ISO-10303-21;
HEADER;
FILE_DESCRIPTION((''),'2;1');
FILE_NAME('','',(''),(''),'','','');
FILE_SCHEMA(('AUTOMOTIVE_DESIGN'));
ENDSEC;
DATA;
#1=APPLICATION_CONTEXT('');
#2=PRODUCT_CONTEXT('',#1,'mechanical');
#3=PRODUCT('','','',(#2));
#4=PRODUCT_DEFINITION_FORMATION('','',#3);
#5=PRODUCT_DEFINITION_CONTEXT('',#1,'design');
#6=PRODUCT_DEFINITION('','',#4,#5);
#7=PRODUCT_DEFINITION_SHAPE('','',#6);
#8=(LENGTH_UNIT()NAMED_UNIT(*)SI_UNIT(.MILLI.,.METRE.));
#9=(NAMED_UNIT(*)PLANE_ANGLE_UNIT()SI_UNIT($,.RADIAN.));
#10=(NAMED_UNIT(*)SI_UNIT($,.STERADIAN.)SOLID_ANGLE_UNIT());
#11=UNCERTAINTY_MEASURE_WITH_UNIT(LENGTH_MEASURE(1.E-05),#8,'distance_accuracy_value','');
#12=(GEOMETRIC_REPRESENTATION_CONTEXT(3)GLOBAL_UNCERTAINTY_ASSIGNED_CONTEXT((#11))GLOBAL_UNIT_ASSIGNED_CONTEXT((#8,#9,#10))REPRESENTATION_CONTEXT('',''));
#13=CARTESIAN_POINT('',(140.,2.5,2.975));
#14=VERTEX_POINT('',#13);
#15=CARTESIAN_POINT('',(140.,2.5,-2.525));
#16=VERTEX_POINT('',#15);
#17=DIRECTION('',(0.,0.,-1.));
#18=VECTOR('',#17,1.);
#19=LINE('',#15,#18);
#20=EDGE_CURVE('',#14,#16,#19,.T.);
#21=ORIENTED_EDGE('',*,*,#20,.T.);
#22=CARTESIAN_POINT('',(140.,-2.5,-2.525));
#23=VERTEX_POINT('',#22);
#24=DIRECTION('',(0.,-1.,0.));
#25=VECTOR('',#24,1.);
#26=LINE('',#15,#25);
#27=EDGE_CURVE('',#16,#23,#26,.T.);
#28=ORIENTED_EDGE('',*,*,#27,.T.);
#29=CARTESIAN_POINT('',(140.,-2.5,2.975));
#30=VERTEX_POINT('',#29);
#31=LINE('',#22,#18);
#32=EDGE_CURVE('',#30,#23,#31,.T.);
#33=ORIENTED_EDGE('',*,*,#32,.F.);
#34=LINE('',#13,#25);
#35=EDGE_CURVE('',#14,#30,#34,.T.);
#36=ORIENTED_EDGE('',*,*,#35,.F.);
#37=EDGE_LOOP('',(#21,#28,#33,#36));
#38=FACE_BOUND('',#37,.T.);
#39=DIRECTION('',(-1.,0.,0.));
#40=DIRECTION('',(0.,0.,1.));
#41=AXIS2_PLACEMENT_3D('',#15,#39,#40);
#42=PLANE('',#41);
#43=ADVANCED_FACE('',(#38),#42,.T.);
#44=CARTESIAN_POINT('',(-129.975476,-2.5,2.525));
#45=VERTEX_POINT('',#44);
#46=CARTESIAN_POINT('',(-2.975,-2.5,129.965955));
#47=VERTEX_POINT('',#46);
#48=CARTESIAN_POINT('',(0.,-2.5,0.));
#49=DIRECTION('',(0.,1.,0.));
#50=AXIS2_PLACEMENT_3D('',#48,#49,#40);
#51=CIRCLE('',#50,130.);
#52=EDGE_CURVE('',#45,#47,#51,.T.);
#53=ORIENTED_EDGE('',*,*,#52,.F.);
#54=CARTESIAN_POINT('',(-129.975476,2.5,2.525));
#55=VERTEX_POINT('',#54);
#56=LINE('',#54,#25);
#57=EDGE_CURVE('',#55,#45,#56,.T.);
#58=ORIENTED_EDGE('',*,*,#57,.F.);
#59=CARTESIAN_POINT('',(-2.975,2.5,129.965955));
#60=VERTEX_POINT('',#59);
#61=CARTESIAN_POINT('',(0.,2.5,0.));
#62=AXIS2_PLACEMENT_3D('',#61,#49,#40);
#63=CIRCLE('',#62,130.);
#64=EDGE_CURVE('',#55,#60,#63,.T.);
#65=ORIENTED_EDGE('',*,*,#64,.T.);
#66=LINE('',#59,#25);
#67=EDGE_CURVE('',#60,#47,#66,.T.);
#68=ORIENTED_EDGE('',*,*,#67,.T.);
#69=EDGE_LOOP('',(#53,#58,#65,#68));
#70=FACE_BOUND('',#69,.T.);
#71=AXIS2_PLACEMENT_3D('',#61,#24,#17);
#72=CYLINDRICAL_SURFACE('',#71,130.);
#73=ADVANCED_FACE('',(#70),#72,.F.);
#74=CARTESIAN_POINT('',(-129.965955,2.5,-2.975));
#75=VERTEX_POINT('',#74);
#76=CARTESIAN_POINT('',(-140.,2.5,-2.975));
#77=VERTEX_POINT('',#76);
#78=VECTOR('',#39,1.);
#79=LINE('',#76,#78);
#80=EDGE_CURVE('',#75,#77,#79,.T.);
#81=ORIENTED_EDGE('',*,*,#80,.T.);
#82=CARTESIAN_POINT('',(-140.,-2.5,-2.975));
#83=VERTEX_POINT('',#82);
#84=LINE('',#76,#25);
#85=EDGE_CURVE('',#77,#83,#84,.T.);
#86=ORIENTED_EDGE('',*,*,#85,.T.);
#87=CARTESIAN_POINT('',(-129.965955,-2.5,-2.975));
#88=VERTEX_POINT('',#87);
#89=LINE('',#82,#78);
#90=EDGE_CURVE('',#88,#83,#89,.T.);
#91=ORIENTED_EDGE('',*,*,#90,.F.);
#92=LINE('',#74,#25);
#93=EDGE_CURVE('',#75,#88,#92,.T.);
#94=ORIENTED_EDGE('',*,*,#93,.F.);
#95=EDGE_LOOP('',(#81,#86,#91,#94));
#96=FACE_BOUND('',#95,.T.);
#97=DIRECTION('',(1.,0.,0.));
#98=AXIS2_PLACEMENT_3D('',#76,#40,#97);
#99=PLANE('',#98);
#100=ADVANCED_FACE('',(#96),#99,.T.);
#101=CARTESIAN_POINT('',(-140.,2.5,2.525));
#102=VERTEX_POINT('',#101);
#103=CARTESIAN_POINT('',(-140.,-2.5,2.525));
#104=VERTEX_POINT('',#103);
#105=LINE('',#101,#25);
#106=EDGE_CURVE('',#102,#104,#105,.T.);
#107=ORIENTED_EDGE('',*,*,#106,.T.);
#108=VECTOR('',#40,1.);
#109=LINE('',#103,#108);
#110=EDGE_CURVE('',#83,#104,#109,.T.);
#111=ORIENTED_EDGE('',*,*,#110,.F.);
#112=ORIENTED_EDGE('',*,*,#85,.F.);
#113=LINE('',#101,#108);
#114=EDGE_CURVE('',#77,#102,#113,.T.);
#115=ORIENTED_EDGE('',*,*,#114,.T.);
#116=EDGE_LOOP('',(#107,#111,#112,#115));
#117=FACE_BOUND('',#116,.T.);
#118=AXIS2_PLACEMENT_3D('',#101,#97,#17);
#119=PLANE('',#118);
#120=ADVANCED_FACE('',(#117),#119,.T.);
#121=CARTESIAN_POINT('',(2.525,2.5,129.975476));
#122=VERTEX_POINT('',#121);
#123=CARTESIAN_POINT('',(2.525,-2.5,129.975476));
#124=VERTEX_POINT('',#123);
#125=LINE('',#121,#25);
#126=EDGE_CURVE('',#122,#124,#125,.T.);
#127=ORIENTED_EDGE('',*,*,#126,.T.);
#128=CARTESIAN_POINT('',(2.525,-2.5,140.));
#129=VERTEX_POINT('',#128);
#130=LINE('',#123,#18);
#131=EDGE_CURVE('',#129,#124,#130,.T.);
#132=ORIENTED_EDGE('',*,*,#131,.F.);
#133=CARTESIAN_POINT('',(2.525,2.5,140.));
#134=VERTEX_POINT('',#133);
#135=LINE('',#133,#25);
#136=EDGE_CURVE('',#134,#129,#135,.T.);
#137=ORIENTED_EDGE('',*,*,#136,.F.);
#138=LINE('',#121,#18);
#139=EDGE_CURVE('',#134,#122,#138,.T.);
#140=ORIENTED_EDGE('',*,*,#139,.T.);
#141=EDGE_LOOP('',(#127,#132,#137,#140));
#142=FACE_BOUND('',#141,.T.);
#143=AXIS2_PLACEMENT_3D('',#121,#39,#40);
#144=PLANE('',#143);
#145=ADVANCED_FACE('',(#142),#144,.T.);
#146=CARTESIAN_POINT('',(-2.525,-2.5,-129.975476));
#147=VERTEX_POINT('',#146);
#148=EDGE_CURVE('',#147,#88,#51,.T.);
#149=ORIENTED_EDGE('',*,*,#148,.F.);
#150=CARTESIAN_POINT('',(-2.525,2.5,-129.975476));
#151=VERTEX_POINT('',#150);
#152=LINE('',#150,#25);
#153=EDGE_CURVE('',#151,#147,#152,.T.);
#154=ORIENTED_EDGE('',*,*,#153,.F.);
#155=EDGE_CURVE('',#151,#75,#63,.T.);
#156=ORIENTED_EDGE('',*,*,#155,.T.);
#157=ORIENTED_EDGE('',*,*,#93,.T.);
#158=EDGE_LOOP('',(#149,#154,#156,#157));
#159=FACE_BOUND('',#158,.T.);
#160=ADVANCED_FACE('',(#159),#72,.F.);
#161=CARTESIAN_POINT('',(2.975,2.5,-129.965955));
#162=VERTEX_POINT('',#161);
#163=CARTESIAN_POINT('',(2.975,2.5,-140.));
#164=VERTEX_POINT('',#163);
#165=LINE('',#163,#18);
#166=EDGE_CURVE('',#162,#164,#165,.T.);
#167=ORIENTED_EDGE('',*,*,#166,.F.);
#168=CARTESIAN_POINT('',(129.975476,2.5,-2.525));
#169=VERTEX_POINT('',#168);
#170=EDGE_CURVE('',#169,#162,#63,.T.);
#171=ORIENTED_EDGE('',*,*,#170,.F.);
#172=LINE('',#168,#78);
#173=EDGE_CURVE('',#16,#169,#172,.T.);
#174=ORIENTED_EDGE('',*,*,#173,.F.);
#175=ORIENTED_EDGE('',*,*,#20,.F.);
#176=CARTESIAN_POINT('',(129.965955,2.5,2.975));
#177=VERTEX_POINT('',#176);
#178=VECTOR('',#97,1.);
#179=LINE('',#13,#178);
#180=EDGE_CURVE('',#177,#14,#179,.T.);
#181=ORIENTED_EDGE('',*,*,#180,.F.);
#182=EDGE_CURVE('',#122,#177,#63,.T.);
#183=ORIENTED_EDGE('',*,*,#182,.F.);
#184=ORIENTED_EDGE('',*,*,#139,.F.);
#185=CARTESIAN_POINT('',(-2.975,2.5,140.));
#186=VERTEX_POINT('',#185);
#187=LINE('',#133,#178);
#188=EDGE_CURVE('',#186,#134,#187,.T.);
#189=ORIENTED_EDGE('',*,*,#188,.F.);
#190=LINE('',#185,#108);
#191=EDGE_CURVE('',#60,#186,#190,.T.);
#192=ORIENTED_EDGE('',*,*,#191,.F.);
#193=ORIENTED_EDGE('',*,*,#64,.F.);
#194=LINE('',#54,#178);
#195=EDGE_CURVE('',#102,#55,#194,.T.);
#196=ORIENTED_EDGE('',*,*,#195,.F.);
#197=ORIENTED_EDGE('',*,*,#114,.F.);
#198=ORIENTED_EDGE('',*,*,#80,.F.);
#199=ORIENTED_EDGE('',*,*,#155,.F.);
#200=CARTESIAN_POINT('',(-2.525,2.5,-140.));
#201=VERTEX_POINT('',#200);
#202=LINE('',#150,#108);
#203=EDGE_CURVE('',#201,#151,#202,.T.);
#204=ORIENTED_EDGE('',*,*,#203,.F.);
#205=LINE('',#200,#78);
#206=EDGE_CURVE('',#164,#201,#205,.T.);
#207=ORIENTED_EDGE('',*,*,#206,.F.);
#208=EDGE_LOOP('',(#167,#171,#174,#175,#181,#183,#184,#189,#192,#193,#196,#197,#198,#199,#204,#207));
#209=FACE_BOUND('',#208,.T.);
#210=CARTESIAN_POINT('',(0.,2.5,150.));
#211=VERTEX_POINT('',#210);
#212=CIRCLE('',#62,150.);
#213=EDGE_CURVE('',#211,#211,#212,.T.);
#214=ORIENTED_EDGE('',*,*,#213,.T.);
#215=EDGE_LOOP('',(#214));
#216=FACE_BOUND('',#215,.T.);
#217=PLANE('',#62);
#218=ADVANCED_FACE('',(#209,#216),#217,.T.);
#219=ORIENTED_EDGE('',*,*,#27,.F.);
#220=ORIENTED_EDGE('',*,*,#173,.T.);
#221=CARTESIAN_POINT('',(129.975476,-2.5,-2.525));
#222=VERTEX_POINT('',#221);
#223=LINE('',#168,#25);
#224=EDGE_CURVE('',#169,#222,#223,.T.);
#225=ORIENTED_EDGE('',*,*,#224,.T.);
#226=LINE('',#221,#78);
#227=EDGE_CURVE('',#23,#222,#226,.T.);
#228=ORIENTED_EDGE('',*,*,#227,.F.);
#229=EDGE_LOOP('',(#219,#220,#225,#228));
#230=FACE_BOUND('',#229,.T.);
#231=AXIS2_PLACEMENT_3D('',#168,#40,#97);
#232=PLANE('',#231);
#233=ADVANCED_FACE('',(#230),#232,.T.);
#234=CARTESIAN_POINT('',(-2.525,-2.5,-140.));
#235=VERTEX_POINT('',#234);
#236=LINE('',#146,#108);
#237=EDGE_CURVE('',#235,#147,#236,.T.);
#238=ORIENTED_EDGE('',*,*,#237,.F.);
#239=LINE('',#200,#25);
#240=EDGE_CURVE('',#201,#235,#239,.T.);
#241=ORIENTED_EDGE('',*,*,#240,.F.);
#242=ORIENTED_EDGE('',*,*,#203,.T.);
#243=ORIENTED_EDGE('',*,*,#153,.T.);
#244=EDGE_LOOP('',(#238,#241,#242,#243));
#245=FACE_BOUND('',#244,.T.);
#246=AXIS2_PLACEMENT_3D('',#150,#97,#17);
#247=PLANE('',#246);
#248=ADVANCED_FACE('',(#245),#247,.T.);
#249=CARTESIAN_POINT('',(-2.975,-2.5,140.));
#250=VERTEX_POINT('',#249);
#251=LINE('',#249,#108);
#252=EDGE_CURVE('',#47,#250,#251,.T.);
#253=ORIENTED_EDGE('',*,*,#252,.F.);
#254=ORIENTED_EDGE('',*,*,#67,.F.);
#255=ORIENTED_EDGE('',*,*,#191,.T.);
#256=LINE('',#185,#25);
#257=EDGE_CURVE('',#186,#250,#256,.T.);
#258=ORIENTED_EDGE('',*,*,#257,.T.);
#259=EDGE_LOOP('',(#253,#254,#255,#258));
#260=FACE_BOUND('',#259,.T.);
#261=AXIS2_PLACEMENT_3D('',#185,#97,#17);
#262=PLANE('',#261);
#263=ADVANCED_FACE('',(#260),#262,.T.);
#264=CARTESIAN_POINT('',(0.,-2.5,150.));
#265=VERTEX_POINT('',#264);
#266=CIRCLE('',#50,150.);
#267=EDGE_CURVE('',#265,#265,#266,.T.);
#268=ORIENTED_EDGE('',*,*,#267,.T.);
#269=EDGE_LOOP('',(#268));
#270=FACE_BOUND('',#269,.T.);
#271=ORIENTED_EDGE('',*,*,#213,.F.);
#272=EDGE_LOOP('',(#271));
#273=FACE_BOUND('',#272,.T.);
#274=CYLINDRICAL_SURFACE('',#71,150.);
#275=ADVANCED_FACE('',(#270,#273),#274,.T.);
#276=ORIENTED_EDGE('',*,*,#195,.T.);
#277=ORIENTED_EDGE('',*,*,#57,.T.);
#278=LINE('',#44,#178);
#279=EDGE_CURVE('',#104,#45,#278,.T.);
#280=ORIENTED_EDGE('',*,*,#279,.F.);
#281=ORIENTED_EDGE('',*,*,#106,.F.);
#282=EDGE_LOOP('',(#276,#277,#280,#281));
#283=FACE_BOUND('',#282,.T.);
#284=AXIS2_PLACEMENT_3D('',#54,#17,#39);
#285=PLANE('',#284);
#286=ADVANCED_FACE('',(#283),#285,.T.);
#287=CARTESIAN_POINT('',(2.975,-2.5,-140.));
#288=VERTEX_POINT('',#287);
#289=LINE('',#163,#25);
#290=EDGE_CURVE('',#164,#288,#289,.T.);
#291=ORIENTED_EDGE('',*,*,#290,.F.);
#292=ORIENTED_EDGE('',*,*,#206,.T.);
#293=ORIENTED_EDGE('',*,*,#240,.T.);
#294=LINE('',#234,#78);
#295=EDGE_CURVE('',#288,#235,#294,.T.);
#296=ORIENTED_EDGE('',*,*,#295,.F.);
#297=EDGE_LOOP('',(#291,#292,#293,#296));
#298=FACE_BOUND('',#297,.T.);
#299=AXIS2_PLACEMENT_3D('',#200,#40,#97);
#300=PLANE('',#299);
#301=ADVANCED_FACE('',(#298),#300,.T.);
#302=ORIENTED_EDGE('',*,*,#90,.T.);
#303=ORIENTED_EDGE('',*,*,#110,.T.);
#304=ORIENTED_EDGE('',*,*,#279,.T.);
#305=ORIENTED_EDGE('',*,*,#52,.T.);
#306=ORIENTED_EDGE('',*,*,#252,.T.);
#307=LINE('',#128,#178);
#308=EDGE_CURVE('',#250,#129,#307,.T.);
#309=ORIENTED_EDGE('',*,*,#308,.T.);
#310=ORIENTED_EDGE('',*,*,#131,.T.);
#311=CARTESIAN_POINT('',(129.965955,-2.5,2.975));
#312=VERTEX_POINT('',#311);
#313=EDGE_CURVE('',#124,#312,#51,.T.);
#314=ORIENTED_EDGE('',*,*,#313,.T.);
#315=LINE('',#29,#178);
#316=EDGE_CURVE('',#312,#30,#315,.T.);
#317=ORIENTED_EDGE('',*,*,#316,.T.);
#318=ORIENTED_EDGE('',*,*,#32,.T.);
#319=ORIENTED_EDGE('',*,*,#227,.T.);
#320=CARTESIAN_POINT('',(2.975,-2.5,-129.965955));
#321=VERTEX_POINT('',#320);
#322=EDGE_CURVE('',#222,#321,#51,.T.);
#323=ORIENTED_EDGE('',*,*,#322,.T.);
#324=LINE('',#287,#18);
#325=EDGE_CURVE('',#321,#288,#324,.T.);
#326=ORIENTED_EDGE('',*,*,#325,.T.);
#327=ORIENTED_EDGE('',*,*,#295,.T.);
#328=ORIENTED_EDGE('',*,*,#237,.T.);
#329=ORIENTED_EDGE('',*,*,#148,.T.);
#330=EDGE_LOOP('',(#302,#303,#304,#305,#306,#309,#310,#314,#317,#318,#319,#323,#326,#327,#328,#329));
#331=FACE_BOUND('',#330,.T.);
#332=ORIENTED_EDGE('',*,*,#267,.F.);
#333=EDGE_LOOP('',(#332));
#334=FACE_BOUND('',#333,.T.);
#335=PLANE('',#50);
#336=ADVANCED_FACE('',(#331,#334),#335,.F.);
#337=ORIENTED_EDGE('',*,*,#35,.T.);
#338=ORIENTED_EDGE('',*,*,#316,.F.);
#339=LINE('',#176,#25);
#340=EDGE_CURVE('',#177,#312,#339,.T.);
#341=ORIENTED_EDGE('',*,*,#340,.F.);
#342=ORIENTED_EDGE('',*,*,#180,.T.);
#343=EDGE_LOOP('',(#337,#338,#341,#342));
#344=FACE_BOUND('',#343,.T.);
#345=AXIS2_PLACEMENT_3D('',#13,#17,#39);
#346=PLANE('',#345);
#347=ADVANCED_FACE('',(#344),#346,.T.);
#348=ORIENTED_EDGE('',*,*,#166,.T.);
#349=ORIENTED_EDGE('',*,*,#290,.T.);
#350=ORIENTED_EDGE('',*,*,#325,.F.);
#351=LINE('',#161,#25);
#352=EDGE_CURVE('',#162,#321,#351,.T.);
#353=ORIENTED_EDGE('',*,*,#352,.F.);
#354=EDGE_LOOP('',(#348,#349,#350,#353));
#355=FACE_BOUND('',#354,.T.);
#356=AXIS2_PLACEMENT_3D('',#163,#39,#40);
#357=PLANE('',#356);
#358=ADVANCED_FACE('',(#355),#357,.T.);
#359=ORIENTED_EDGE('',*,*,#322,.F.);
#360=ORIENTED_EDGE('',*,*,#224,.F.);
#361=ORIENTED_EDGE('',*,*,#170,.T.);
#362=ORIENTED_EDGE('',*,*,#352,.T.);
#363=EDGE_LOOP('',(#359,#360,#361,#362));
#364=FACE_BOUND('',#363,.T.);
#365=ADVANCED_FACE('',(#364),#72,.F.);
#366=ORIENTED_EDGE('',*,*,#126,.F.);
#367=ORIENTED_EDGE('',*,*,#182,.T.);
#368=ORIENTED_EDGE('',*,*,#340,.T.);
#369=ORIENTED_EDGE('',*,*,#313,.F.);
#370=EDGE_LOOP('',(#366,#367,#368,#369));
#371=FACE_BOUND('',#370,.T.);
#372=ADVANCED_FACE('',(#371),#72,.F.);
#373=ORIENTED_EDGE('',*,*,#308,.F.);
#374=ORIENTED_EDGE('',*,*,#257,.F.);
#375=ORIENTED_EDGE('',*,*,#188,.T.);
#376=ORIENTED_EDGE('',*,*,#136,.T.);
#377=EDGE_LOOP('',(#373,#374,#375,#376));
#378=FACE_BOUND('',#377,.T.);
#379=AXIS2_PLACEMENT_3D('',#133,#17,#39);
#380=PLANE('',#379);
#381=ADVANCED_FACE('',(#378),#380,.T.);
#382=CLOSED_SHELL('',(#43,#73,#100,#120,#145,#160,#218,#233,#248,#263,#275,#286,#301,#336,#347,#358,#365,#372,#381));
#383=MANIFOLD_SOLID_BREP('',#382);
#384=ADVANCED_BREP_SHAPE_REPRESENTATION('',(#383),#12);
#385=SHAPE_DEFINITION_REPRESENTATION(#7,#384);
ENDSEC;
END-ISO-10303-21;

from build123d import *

# Parameters (mm, degrees)
SKETCH1_R           = 150
BOSS_EXTRUDE1_DEPTH = 2.5


with BuildPart() as part:
    # Sketch1 → Boss-Extrude1 (new body, symmetric)
    with BuildSketch(Plane(origin=(0, 0, 0), x_dir=(1, 0, 0), z_dir=(0, 1, 0))):
        Circle(SKETCH1_R)
        with BuildLine():
            Line((2.525, -129.975476052), (2.525, -140))
            Line((2.525, -140), (-2.975, -140))
            Line((-2.975, -140), (-2.975, -129.965954677))
            ThreePointArc((-2.975, -129.965954677), (-92.082878446, -91.764609176), (-129.975476052, -2.525))
            Line((-129.975476052, -2.525), (-140, -2.525))
            Line((-140, -2.525), (-140, 2.975))
            Line((-140, 2.975), (-129.965954677, 2.975))
            ThreePointArc((-129.965954677, 2.975), (-91.764609176, 92.082878446), (-2.525, 129.975476052))
            Line((-2.525, 129.975476052), (-2.525, 140))
            Line((-2.525, 140), (2.975, 140))
            Line((2.975, 140), (2.975, 129.965954677))
            ThreePointArc((2.975, 129.965954677), (92.082878446, 91.764609176), (129.975476052, 2.525))
            Line((129.975476052, 2.525), (140, 2.525))
            Line((140, 2.525), (140, -2.975))
            Line((140, -2.975), (129.965954677, -2.975))
            ThreePointArc((129.965954677, -2.975), (91.764609176, -92.082878446), (2.525, -129.975476052))
        make_face(mode=Mode.SUBTRACT)
    extrude(amount=BOSS_EXTRUDE1_DEPTH, both=True)


solid = part.part
